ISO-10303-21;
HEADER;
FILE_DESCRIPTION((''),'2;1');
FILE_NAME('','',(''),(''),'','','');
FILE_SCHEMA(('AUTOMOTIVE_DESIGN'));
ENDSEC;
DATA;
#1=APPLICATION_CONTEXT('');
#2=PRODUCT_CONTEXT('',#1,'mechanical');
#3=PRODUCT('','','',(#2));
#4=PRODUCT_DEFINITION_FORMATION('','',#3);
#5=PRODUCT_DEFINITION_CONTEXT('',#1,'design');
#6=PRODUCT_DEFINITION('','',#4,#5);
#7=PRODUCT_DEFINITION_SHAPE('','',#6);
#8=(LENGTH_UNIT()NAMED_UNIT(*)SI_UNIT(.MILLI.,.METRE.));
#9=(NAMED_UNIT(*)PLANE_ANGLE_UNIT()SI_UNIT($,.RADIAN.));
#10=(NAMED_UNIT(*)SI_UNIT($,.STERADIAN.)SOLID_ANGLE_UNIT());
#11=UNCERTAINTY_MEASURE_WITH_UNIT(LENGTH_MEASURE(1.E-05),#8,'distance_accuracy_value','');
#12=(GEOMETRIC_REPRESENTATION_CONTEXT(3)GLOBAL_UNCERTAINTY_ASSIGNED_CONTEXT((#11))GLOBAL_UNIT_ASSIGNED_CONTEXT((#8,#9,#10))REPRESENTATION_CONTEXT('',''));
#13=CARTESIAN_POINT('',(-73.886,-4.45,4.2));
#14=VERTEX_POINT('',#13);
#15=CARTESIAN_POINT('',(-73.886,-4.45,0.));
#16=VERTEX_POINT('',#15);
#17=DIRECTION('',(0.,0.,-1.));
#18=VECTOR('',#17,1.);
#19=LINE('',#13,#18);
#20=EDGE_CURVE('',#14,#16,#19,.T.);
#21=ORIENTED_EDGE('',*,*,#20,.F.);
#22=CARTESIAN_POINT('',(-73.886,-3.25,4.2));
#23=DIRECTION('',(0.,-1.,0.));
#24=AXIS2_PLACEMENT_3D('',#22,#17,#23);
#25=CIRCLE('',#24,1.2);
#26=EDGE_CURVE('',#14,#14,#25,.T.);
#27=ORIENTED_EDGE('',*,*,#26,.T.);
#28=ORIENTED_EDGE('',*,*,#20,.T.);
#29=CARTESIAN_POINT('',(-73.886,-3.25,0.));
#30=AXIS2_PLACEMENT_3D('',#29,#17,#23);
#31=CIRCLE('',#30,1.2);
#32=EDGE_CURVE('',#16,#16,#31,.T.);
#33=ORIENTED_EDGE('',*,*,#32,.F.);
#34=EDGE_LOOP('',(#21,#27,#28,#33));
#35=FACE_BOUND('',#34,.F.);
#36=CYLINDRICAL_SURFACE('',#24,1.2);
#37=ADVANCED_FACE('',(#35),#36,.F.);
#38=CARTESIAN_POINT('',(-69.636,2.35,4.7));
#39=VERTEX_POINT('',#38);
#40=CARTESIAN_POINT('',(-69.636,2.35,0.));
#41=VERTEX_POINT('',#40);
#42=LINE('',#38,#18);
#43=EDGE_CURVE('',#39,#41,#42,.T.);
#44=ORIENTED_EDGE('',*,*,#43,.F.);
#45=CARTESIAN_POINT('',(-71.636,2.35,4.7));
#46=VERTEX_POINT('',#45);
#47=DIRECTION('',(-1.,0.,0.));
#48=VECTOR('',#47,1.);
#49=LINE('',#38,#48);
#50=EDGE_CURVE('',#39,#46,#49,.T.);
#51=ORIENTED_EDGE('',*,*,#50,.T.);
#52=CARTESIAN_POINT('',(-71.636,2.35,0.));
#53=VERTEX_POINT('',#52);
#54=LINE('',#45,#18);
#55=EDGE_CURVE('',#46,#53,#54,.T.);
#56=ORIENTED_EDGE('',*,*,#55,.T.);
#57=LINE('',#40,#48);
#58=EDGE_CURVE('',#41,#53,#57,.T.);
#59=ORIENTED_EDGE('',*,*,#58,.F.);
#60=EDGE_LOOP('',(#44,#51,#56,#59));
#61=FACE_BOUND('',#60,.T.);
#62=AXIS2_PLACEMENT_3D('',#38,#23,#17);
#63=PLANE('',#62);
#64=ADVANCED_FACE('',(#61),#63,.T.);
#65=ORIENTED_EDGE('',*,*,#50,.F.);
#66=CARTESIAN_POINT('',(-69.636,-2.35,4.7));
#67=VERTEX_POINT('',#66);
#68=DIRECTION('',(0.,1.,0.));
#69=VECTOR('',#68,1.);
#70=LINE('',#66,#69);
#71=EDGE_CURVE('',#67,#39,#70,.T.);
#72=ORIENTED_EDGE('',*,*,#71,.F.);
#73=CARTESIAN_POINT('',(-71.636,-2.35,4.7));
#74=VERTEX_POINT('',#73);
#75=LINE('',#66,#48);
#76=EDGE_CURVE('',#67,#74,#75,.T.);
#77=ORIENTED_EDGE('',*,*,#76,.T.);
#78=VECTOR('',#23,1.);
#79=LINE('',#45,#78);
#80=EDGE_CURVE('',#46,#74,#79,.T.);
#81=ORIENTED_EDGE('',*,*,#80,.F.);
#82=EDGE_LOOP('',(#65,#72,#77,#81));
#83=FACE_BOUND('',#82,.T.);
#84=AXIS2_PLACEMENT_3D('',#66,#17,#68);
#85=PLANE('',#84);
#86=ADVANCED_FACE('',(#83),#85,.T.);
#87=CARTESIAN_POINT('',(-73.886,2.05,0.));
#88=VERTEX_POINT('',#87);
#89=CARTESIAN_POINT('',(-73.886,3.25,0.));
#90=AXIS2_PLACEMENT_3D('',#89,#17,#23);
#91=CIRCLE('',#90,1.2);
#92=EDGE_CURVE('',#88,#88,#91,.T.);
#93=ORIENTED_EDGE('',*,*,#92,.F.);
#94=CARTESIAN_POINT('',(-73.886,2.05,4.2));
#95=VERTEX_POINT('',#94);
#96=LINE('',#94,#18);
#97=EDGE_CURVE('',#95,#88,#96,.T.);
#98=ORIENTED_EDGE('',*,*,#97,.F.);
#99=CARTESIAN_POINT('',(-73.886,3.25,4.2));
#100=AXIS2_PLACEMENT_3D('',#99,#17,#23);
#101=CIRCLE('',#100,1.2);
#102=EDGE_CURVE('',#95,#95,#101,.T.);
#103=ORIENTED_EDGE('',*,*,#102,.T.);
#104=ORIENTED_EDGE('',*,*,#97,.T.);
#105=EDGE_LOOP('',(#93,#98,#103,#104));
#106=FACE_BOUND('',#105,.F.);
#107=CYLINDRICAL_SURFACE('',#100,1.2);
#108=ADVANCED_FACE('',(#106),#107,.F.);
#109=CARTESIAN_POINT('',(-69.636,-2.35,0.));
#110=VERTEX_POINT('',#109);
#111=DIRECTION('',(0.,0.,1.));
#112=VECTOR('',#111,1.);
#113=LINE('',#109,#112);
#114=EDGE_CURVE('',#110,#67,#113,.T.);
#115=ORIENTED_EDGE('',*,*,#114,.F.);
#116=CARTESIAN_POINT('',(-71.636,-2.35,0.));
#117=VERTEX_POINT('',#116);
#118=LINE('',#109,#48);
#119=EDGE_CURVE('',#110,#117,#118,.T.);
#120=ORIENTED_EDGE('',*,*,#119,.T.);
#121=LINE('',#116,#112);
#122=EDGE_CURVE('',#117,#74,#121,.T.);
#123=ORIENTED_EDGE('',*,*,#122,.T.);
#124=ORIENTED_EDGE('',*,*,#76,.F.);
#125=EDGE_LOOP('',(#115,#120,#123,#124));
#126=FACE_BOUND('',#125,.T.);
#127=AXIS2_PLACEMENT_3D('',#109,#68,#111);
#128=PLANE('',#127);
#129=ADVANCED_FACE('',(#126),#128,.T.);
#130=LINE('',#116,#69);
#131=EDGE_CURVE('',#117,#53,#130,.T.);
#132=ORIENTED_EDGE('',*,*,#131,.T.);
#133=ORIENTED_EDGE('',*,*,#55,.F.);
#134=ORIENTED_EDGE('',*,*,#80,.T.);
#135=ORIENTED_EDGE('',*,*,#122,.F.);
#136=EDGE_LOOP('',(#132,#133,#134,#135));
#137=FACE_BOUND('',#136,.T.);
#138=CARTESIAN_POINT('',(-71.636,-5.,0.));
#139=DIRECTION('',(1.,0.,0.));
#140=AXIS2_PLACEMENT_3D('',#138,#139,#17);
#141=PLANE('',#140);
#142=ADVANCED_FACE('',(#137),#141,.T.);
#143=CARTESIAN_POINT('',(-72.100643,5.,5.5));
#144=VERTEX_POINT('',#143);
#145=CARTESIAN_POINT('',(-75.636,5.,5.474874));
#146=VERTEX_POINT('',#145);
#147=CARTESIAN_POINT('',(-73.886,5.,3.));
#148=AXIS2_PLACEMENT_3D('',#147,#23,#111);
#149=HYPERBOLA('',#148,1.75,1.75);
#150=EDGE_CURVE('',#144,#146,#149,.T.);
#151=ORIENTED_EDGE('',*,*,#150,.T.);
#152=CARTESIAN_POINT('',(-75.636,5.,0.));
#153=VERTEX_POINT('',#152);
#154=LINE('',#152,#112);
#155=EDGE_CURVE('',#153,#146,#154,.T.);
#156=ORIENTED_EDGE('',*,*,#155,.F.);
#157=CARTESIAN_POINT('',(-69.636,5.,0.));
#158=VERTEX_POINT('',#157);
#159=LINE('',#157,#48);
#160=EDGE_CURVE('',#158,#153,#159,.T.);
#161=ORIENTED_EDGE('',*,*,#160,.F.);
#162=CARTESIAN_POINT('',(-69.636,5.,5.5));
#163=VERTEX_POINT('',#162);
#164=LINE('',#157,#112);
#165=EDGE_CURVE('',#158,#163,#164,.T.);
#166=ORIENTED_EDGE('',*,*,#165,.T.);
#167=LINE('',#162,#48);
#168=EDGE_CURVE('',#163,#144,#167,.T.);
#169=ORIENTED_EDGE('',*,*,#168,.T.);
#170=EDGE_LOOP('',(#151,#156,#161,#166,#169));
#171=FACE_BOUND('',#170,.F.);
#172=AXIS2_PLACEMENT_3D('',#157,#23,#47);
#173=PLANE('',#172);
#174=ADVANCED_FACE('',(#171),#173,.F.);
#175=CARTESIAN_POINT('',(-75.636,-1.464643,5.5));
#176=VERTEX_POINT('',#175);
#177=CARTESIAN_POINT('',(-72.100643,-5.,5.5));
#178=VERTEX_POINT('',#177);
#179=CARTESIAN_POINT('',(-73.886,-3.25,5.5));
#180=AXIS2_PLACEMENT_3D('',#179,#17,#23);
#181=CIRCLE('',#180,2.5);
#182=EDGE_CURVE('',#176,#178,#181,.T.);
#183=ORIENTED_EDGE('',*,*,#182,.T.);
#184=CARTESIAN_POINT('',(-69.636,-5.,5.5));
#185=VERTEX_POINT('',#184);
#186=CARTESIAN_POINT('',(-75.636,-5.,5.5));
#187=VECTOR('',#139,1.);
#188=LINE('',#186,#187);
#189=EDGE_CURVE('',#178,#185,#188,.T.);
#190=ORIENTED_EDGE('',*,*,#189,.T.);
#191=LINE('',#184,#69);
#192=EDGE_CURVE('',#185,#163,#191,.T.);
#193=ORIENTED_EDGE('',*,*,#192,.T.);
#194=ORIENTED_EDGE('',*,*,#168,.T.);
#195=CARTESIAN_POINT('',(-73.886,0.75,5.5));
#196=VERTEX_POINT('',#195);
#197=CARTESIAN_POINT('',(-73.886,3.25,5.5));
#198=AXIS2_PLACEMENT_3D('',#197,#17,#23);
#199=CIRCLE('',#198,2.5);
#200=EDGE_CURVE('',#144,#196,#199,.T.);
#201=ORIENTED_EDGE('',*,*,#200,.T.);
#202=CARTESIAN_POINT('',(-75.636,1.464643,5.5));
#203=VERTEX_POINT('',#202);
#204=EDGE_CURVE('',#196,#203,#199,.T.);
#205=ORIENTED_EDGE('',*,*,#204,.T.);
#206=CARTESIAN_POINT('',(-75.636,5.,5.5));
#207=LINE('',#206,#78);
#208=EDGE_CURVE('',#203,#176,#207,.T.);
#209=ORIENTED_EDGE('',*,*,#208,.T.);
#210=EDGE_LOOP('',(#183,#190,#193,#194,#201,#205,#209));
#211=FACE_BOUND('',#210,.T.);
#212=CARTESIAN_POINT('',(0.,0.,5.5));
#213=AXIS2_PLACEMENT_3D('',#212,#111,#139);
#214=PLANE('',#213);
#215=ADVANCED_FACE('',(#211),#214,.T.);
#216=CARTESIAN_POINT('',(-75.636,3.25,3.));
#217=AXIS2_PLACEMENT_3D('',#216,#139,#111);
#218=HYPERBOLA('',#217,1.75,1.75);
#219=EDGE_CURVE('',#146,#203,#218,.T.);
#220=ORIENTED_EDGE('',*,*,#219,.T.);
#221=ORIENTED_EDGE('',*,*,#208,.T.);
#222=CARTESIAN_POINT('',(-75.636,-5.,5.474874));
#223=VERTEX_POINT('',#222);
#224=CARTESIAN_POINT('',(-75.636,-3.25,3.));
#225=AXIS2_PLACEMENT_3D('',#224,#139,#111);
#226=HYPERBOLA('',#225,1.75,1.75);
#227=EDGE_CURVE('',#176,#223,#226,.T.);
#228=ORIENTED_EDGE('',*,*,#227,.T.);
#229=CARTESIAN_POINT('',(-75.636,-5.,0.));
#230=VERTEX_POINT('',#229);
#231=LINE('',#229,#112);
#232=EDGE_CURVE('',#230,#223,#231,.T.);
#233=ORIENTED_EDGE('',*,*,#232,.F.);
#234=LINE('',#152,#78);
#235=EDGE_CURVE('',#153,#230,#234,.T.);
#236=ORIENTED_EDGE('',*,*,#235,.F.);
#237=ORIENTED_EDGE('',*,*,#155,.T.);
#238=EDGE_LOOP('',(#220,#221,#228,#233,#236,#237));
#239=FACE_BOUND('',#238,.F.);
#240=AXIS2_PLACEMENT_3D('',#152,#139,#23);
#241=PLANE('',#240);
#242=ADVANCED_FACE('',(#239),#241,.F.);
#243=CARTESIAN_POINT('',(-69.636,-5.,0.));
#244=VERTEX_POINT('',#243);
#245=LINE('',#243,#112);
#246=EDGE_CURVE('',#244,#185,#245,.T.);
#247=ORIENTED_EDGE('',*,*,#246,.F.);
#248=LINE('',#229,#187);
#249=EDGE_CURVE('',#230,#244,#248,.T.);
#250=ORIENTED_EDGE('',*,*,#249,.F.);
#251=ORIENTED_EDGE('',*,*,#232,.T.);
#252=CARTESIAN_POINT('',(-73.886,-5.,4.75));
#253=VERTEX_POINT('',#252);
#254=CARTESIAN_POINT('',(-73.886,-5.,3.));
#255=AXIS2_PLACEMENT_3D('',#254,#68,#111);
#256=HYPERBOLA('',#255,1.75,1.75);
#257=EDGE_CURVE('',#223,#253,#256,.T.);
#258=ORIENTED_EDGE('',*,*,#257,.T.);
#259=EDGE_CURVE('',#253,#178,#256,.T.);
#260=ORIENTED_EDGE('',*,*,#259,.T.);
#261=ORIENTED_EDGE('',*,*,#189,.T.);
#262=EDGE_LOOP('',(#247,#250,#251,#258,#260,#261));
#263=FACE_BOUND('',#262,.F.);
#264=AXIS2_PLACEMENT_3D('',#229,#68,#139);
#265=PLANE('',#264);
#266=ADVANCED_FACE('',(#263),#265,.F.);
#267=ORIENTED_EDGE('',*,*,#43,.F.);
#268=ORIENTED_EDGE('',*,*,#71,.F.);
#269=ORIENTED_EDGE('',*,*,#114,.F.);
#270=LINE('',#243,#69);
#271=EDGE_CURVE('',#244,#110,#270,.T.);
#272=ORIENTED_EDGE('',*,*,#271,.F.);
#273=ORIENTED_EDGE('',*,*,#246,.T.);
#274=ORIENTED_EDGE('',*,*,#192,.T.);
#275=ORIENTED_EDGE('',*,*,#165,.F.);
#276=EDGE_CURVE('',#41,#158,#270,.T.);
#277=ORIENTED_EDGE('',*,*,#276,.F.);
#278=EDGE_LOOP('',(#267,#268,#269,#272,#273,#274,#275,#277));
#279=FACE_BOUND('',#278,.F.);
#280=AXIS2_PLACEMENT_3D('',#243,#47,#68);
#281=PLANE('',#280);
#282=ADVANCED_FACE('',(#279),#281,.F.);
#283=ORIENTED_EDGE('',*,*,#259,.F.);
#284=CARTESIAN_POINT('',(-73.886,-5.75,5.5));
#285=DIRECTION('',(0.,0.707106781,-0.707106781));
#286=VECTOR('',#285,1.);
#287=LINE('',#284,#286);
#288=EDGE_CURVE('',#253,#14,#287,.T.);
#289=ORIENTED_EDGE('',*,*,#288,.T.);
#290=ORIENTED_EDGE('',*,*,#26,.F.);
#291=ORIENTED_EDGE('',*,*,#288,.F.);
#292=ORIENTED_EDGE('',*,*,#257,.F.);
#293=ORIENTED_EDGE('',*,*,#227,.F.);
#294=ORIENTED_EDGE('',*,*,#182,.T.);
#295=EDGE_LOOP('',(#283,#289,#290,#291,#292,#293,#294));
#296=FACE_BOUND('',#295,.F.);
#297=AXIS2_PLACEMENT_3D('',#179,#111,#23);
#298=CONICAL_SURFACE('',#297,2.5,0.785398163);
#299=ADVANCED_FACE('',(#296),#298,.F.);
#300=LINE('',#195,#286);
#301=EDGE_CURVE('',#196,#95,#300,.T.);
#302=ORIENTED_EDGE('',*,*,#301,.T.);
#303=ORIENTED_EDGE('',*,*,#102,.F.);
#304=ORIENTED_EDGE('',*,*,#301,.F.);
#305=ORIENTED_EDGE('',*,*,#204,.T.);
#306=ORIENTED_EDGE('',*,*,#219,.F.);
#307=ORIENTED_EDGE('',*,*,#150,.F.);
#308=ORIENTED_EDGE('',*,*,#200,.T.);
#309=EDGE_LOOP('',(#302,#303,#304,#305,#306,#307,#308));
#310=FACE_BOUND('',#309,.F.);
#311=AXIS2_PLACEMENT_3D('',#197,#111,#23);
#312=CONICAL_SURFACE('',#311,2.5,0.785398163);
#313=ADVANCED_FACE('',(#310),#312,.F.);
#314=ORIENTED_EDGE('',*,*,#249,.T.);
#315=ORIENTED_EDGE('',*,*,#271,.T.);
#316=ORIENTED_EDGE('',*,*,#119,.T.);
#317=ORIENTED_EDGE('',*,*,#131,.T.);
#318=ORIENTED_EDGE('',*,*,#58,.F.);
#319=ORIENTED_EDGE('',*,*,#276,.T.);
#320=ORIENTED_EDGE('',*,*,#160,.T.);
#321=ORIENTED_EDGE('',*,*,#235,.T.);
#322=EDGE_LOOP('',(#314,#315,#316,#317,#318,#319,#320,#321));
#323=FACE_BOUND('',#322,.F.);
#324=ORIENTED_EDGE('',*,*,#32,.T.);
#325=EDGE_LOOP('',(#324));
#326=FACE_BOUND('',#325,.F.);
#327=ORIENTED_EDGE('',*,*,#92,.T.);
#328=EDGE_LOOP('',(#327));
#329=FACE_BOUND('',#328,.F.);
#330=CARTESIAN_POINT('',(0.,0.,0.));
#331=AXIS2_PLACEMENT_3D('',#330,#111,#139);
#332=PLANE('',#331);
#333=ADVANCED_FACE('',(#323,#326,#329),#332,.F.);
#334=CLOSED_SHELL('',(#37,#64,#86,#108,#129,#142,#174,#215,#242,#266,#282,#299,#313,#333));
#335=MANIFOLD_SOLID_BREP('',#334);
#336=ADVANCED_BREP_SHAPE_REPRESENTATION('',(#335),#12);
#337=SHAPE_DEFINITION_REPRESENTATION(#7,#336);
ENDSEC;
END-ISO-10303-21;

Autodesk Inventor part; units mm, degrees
ref_plane "YZ Plane" through (0, 0, 0) normal (1, 0, 0) x (0, 1, 0)
ref_plane "XZ Plane" through (0, 0, 0) normal (0, 1, 0) x (-1, 0, 0)
ref_plane "XY Plane" through (0, 0, 0) normal (0, 0, 1) x (1, 0, 0)
sketch "Skizze1" plane through (0, 0, 0) normal (0, 0, 1) x (1, 0, 0)
  line L0 (-75.636, -5) -> (-69.636, -5)
  line L1 (-69.636, -5) -> (-69.636, 5)
  line L2 (-69.636, 5) -> (-75.636, 5)
  line L3 (-75.636, 5) -> (-75.636, -5)
  line L4 (-72.636, -5) -> (-72.636, 0) construction
  line L5 (-72.636, 0) -> (-72.636, 5) construction
  line L6 (0, 0) -> (-72.636, 0) construction
  line L7 (-65.022, 4) -> (-65.022, -4) construction
  line L8 (-65.022, 4) -> (-65.022, -4) construction
  line L9 (-65.022, 4) -> (-65.022, -4) construction
  point P0 (-63.636, 3)
  dimension "d0" = 6
  dimension "d1" = 10
  dimension "d2" = 6
extrude "Extrusion1" add sketch "Skizze1" along normal blind 5.5
sketch "Skizze2" plane through (-69.636, -5, 0) normal (1, 0, 0) x (0, 0, -1)
  line L0 (0, 2.65) -> (-4.7, 2.65)
  line L1 (-4.7, 2.65) -> (-4.7, 7.35)
  line L2 (-4.7, 7.35) -> (0, 7.35)
  line L3 (0, 7.35) -> (0, 2.65)
  line L4 (0, 5) -> (-4.7, 5)
  line L5 (0, 0) -> (0, 10) projected
  point P0 (0, 5)
  dimension "d5" = 4.7
  dimension "d6" = 4.7
extrude "Extrusion2" cut sketch "Skizze2" against normal blind 2
sketch "Skizze3" plane through (0, 0, 5.5) normal (0, 0, 1) x (1, 0, 0)
  line L0 (-75.636, 5) -> (-75.636, -5) projected
  line L1 (-73.886, -3.25) -> (-75.636, -3.25) construction
  line L2 (-73.886, 3.25) -> (-75.636, 3.25) construction
  line L3 (-73.886, -3.25) -> (-73.886, -5) construction
  line L4 (-73.886, 3.25) -> (-73.886, 5) construction
  line L5 (-75.636, -5) -> (-69.636, -5) construction
  line L6 (-69.636, 5) -> (-75.636, 5) construction
  point P0 (0, 0)
  dimension "d9" = 1.75
hole "Bohrung1" at (-73.886, 3.25, 5.5) at (-73.886, -3.25, 5.5) direction (0, 0, -1) diameter 2.4 end through all countersink diameter 5 countersink angle 90 clearance for "Flachkopfmaschinenschraube" size "M2" standard "ANSI Metrisches M Profil"
properties part number "Federhalter" material "PC/ABS-Kunststoff, 3DDruck, PLA"
